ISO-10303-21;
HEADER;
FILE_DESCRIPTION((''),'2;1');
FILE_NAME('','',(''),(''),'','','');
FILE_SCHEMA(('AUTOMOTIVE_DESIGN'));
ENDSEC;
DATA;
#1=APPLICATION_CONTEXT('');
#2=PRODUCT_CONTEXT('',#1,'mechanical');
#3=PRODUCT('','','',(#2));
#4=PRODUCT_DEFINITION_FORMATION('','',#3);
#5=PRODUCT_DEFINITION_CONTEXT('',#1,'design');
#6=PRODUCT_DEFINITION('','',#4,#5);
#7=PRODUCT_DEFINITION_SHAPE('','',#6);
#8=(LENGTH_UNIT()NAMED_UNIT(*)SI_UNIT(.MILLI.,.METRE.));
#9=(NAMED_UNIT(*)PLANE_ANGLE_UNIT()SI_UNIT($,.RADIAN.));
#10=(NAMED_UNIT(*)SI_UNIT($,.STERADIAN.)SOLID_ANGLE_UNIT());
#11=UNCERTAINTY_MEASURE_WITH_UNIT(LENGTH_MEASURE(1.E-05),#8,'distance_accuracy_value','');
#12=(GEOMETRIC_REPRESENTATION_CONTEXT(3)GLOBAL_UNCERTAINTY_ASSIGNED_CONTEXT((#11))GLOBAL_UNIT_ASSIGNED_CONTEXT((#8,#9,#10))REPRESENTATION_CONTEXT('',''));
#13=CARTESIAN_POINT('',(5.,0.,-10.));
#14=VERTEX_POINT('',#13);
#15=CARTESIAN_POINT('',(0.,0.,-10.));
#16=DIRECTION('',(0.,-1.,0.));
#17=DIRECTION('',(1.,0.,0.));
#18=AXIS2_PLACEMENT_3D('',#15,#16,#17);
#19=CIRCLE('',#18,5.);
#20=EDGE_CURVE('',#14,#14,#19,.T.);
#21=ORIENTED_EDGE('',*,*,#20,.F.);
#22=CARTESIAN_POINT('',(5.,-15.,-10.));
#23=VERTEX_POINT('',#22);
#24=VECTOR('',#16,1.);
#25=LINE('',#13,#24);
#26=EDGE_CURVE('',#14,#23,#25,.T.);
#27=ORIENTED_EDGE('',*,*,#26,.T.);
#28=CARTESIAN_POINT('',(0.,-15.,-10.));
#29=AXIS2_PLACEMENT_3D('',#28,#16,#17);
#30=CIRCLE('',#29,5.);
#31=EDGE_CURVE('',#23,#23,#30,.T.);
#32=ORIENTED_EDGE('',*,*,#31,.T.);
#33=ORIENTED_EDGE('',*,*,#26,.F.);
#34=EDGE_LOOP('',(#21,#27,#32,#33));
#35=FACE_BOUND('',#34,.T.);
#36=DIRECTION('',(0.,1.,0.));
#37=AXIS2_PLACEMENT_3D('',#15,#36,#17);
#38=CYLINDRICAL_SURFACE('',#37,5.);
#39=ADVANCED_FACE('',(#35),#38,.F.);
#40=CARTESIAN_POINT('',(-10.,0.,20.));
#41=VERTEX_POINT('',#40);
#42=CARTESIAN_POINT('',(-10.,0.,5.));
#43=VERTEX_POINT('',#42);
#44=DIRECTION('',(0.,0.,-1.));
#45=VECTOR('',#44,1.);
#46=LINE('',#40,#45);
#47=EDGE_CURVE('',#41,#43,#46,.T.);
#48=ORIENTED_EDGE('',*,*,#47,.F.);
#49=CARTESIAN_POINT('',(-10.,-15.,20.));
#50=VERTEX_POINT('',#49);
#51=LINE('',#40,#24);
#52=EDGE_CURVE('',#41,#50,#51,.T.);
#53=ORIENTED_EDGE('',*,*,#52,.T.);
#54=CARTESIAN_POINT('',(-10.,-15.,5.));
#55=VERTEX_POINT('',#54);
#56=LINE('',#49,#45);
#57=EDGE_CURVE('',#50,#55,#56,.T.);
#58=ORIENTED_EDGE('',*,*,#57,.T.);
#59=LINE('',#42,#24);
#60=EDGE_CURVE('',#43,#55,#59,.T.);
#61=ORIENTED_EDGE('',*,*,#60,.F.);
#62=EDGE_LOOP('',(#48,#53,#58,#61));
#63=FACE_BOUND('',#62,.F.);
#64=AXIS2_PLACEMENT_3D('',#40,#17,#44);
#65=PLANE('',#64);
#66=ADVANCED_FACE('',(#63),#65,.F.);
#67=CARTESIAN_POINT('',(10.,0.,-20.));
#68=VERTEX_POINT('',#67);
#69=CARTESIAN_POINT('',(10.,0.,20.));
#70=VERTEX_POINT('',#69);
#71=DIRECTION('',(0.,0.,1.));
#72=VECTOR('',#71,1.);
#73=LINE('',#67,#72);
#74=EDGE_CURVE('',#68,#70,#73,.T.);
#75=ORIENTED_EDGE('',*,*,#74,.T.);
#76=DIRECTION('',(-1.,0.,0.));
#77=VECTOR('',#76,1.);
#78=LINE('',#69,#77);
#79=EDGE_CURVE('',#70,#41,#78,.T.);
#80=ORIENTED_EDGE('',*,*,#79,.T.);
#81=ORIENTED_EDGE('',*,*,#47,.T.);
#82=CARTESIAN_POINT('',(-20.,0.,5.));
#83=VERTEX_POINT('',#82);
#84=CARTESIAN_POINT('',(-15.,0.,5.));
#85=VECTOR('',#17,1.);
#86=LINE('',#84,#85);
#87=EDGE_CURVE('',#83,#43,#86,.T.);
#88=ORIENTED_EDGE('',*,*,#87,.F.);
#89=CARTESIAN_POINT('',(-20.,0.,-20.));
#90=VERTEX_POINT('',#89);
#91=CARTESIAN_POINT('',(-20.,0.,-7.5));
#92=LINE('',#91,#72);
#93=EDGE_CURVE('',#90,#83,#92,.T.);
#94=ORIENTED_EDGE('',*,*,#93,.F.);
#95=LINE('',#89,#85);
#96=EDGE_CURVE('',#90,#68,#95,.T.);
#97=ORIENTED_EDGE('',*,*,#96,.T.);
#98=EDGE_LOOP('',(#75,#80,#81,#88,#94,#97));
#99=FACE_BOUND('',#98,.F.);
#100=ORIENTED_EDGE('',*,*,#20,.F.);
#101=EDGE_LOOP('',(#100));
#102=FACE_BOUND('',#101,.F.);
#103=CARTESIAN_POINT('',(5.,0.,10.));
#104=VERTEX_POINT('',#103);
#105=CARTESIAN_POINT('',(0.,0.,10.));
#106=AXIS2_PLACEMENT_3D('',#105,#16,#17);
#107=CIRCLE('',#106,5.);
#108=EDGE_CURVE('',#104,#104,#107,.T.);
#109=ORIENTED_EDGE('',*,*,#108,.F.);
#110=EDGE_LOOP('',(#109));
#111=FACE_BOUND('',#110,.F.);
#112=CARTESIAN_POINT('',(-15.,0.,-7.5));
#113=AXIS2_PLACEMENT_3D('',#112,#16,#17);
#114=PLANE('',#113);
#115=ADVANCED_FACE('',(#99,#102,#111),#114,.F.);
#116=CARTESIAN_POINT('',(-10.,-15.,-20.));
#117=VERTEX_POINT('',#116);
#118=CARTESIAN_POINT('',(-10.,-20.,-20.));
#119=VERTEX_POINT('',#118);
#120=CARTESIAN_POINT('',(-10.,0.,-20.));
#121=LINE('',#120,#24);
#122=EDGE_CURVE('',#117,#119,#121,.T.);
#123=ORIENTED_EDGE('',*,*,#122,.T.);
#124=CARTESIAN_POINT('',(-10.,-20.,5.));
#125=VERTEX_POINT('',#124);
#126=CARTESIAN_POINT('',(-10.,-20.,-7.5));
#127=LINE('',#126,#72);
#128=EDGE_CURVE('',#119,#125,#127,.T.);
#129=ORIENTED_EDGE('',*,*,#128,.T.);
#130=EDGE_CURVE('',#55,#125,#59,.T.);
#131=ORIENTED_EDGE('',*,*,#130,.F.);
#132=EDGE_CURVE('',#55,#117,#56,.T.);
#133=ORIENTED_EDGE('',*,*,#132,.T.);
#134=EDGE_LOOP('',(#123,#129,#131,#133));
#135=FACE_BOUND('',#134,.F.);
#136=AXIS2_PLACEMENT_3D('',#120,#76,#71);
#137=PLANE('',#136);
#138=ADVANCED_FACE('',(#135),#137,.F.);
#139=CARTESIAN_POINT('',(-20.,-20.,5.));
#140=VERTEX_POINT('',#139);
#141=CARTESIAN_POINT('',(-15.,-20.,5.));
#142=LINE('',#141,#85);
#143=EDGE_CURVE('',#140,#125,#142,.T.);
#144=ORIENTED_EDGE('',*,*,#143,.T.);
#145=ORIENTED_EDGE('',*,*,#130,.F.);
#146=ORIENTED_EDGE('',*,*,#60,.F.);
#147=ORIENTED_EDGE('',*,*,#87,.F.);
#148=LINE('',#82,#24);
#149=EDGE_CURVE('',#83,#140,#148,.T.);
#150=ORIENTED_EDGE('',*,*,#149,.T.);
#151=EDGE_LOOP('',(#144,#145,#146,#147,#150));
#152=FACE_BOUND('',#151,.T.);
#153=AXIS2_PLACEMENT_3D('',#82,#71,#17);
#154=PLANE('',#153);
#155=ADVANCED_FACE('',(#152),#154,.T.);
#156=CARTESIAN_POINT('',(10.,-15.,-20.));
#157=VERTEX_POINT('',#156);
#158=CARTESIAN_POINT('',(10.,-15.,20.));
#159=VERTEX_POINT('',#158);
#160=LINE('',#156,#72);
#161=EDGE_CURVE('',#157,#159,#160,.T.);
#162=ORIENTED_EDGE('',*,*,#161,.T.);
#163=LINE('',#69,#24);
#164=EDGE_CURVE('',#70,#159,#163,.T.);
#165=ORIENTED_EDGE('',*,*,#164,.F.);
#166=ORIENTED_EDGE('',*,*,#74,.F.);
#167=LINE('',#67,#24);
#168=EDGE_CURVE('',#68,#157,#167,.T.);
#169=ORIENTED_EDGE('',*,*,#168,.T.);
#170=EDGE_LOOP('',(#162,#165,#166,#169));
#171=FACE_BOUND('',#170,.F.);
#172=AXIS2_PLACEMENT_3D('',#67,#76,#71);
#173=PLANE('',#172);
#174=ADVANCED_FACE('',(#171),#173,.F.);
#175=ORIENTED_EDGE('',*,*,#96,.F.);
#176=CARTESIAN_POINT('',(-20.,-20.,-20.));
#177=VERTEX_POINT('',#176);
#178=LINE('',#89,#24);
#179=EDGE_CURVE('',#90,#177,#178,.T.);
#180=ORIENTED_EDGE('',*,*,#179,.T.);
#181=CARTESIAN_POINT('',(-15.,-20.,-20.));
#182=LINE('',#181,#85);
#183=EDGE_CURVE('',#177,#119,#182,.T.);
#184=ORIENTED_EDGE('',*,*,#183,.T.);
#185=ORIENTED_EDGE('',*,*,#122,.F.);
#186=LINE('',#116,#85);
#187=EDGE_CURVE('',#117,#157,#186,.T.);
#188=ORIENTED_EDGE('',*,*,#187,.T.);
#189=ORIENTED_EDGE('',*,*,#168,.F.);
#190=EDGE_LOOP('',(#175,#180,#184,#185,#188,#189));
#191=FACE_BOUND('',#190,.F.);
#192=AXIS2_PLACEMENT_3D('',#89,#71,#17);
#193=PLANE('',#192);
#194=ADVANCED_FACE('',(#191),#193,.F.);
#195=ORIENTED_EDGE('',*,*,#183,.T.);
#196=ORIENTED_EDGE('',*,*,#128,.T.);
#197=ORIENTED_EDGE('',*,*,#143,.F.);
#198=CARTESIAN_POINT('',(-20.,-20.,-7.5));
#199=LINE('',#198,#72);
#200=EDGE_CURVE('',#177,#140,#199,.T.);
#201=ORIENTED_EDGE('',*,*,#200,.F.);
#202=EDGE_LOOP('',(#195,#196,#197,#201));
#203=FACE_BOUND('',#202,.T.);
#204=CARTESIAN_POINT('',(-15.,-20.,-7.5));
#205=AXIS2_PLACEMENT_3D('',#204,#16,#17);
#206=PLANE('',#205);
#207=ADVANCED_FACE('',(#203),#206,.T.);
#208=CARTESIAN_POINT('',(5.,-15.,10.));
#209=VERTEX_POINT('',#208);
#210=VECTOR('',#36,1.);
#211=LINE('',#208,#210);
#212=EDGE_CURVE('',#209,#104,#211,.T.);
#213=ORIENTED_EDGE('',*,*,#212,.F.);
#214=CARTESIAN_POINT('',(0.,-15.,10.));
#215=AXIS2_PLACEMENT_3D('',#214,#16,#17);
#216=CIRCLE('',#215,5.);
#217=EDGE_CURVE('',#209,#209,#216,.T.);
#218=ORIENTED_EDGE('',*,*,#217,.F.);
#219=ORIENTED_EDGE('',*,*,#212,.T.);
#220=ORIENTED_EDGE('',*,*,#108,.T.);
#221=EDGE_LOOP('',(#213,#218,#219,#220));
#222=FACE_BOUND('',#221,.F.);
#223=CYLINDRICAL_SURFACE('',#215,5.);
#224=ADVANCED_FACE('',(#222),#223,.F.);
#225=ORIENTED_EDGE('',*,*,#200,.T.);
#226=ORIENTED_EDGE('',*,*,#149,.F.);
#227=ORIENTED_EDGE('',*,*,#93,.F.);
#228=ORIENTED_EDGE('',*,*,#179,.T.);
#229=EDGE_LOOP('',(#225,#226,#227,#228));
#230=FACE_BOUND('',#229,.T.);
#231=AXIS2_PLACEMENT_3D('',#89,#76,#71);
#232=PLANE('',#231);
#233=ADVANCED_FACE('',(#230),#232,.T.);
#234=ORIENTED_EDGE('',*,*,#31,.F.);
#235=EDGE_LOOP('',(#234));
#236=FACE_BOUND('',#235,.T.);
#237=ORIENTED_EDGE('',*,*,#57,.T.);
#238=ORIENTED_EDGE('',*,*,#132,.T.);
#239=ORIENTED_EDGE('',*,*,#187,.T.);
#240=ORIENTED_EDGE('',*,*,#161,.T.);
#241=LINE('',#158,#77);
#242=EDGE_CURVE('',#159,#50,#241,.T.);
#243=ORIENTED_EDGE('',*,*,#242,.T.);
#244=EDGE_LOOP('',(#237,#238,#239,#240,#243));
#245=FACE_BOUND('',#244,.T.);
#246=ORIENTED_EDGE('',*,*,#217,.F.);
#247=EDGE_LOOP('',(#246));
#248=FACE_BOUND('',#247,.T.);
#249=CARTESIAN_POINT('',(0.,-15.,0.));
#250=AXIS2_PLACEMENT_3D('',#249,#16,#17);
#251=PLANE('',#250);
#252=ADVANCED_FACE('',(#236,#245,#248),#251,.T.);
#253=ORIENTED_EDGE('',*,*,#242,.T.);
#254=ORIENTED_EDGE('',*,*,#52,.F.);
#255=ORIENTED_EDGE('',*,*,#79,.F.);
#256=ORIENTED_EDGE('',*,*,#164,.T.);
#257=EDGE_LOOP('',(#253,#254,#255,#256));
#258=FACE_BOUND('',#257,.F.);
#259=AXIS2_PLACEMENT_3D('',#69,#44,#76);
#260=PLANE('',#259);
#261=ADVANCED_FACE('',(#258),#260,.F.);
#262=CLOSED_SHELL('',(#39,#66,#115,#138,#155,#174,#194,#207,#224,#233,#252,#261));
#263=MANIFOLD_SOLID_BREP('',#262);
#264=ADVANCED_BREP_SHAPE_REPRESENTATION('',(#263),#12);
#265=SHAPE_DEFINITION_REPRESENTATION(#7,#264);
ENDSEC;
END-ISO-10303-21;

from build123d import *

# Parameters (mm, degrees)
F0_R     = 5
F1_DEPTH = 15
F0_W     = 10
F0_H     = 25
F2_DEPTH = 20
F3_R     = 5
F4_DEPTH = 25


with BuildPart() as f1:
    # F0 (on Front) → F1 (new body)
    with BuildSketch(Plane.XZ):
        Polygon((10, 20), (-10, 20), (-10, 5), (-10, -20), (10, -20), align=None)
        with Locations((0, -10)):
            Circle(F0_R, mode=Mode.SUBTRACT)
    extrude(amount=F1_DEPTH)

    # F0 (on Front) → F2 (join)
    with BuildSketch(Plane.XZ):
        with Locations((-15, -7.5)):
            Rectangle(F0_W, F0_H)
    extrude(amount=F2_DEPTH)

    # F3 (on face) → F4 (cut)
    with BuildSketch(Plane.XZ.offset(15)):
        with Locations((0, 10)):
            Circle(F3_R)
    extrude(amount=-F4_DEPTH, mode=Mode.SUBTRACT)


solid = f1.part
